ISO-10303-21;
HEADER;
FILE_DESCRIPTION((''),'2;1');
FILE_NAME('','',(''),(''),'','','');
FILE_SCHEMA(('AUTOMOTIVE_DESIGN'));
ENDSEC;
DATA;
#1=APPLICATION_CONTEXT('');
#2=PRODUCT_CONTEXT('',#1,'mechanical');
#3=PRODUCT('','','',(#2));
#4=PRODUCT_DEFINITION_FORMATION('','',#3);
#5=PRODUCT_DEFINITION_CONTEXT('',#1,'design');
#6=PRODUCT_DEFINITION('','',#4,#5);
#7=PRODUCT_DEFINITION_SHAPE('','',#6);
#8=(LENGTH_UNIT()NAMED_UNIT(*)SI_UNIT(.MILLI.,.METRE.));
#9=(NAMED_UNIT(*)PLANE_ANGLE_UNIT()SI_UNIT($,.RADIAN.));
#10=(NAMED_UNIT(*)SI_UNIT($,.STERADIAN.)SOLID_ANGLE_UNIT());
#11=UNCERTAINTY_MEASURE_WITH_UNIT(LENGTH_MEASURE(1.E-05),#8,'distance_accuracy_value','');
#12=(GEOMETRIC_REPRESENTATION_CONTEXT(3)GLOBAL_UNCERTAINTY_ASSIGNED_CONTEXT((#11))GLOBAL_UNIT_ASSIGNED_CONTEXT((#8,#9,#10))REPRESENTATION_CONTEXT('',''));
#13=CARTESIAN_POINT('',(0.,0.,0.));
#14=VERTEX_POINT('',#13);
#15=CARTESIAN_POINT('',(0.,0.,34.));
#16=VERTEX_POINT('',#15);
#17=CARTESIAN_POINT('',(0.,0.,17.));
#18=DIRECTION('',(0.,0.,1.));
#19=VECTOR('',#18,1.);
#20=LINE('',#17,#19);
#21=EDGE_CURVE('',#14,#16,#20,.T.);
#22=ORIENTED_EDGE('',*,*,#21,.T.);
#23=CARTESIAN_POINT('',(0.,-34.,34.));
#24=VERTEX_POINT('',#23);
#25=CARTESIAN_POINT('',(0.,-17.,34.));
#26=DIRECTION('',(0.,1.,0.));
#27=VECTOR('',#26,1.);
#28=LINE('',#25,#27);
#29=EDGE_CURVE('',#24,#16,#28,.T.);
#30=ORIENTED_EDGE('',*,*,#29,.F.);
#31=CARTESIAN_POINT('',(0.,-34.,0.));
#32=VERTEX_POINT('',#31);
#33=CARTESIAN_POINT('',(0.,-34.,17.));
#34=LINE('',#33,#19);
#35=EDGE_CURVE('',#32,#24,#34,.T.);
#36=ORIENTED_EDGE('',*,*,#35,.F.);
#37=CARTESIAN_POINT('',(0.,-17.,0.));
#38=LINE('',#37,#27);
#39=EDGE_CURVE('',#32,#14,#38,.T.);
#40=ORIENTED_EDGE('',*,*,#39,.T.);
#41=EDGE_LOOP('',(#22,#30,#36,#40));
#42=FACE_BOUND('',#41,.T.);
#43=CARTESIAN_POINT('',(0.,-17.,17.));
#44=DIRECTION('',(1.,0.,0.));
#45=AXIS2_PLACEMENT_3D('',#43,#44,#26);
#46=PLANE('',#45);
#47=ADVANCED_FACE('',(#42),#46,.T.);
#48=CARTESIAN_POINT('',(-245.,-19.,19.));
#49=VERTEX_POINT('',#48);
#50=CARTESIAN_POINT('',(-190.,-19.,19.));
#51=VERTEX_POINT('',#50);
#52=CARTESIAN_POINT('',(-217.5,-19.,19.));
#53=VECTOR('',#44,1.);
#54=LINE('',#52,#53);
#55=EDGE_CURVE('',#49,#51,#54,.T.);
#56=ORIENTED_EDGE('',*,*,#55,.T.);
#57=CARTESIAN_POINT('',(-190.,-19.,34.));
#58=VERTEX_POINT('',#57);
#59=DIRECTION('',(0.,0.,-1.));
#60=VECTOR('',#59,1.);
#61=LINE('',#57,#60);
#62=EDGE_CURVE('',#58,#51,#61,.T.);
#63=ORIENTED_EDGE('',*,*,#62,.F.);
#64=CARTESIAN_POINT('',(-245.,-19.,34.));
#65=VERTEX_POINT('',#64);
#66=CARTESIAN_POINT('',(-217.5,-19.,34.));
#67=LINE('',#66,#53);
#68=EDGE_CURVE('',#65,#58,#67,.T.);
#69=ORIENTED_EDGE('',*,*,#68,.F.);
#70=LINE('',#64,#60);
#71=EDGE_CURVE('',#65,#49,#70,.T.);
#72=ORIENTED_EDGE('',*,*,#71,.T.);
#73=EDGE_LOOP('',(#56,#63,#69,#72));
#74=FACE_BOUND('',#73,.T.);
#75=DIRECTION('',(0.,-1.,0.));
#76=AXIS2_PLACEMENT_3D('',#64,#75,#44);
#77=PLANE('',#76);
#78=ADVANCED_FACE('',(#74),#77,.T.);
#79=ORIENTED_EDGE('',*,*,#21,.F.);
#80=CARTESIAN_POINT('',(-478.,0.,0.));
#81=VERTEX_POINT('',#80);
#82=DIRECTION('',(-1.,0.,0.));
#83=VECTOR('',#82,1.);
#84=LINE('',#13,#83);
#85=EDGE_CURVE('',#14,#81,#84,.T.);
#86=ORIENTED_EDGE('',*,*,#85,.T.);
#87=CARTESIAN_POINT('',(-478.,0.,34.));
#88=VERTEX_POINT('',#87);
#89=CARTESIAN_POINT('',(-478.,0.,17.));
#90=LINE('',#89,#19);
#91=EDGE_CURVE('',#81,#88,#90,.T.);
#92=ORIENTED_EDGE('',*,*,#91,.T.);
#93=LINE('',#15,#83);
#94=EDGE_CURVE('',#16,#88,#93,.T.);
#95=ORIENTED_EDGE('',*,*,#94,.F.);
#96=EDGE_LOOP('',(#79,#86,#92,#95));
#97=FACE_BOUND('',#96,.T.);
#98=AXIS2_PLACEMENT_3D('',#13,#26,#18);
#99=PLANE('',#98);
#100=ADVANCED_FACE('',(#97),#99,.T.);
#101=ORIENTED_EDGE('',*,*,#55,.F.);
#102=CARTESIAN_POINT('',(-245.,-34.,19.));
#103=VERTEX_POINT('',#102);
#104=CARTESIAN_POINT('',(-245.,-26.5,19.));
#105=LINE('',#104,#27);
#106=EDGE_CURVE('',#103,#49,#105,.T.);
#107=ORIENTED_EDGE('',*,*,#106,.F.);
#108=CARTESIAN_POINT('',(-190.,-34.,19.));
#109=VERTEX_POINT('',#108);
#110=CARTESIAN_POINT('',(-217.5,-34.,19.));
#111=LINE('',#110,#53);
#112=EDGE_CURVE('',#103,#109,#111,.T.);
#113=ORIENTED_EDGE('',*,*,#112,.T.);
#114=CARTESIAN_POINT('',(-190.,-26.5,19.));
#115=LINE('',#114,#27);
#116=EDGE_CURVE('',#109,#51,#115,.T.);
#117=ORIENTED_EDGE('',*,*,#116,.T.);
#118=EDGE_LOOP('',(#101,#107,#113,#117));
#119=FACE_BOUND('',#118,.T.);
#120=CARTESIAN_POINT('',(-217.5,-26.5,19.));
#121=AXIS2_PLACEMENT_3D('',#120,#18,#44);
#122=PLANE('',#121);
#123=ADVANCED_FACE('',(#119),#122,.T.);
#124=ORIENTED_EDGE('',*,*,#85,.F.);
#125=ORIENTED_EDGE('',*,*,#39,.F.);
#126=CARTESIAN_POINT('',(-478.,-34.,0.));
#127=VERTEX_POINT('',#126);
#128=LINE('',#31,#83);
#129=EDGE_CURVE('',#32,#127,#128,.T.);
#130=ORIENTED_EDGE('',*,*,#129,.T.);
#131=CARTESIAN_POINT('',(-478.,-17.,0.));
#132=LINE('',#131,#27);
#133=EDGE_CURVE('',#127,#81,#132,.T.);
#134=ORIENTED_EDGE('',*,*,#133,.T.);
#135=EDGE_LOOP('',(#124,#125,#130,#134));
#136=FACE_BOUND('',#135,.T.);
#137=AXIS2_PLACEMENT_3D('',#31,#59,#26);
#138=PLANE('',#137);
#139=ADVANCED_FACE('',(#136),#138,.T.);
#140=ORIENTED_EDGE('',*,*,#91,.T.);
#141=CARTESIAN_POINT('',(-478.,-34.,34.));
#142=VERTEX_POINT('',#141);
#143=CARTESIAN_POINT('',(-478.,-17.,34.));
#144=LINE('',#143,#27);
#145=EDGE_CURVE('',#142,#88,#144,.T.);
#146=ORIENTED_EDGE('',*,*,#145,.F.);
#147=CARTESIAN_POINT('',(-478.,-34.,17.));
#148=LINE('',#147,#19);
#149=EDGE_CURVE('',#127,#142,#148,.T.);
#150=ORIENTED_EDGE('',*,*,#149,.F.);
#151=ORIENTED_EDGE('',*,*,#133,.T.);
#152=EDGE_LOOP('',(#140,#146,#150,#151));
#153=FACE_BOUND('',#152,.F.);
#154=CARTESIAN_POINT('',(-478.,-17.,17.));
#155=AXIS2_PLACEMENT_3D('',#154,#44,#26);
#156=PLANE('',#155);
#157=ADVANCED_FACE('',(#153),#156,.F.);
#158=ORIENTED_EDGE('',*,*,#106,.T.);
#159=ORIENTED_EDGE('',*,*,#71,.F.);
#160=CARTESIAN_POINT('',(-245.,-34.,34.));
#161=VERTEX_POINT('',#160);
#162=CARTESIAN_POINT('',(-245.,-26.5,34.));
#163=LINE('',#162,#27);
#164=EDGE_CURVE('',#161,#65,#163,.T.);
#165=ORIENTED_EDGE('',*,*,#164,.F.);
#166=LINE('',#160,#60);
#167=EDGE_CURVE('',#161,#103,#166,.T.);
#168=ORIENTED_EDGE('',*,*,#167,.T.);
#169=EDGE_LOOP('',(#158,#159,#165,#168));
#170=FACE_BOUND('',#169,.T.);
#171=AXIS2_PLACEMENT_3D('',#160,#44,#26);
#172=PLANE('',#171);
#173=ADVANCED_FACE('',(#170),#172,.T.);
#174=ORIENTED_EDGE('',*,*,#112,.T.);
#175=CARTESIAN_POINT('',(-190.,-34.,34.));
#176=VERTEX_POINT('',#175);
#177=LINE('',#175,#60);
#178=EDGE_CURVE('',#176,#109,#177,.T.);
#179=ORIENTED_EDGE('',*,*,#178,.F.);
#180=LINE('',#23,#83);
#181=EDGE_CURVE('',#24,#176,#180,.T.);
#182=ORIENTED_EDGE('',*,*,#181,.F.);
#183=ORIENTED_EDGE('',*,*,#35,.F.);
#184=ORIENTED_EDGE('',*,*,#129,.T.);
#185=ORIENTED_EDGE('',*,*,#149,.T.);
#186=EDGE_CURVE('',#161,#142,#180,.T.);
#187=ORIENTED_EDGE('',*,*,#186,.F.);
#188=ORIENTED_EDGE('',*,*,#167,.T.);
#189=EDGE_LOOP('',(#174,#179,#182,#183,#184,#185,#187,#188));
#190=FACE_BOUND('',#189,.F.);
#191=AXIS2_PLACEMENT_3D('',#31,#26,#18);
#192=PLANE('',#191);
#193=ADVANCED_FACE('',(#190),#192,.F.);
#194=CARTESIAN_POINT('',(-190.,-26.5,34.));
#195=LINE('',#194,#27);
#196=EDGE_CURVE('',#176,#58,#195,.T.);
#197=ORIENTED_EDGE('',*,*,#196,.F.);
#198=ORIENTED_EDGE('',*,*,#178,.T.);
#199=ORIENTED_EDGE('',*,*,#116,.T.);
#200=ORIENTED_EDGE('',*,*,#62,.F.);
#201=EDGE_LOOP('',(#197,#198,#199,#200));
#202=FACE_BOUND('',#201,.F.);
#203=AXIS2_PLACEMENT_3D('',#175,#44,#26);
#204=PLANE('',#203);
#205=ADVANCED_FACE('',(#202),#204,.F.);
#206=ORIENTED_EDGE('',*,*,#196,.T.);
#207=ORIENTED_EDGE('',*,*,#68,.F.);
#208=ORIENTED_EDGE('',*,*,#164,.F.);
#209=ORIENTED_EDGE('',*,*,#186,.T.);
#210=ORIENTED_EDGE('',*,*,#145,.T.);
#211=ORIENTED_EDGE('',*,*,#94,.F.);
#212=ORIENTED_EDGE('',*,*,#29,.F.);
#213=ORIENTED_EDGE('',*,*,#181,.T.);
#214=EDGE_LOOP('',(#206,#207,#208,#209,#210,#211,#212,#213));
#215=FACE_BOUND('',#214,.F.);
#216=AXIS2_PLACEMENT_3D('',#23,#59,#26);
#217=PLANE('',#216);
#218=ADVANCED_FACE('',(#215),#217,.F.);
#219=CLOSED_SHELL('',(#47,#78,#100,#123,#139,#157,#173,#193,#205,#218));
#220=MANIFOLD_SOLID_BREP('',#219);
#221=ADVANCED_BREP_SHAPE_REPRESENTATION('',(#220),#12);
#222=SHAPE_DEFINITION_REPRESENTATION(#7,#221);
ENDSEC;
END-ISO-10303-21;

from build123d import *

# Parameters (mm, degrees)
F0_W     = 34
F0_H     = 34
F1_DEPTH = 478
F2_W     = 55
F2_H     = 15
F3_DEPTH = 15


with BuildPart() as f1:
    # F0 (on Right) → F1 (new body)
    with BuildSketch(Plane.YZ):
        with Locations((-17, 17)):
            Rectangle(F0_W, F0_H)
    extrude(amount=-F1_DEPTH)

    # F2 (on face) → F3 (cut)
    with BuildSketch(Plane.XY.offset(34)):
        with Locations((-217.5, -26.5)):
            Rectangle(F2_W, F2_H)
    extrude(amount=-F3_DEPTH, mode=Mode.SUBTRACT)


solid = f1.part
